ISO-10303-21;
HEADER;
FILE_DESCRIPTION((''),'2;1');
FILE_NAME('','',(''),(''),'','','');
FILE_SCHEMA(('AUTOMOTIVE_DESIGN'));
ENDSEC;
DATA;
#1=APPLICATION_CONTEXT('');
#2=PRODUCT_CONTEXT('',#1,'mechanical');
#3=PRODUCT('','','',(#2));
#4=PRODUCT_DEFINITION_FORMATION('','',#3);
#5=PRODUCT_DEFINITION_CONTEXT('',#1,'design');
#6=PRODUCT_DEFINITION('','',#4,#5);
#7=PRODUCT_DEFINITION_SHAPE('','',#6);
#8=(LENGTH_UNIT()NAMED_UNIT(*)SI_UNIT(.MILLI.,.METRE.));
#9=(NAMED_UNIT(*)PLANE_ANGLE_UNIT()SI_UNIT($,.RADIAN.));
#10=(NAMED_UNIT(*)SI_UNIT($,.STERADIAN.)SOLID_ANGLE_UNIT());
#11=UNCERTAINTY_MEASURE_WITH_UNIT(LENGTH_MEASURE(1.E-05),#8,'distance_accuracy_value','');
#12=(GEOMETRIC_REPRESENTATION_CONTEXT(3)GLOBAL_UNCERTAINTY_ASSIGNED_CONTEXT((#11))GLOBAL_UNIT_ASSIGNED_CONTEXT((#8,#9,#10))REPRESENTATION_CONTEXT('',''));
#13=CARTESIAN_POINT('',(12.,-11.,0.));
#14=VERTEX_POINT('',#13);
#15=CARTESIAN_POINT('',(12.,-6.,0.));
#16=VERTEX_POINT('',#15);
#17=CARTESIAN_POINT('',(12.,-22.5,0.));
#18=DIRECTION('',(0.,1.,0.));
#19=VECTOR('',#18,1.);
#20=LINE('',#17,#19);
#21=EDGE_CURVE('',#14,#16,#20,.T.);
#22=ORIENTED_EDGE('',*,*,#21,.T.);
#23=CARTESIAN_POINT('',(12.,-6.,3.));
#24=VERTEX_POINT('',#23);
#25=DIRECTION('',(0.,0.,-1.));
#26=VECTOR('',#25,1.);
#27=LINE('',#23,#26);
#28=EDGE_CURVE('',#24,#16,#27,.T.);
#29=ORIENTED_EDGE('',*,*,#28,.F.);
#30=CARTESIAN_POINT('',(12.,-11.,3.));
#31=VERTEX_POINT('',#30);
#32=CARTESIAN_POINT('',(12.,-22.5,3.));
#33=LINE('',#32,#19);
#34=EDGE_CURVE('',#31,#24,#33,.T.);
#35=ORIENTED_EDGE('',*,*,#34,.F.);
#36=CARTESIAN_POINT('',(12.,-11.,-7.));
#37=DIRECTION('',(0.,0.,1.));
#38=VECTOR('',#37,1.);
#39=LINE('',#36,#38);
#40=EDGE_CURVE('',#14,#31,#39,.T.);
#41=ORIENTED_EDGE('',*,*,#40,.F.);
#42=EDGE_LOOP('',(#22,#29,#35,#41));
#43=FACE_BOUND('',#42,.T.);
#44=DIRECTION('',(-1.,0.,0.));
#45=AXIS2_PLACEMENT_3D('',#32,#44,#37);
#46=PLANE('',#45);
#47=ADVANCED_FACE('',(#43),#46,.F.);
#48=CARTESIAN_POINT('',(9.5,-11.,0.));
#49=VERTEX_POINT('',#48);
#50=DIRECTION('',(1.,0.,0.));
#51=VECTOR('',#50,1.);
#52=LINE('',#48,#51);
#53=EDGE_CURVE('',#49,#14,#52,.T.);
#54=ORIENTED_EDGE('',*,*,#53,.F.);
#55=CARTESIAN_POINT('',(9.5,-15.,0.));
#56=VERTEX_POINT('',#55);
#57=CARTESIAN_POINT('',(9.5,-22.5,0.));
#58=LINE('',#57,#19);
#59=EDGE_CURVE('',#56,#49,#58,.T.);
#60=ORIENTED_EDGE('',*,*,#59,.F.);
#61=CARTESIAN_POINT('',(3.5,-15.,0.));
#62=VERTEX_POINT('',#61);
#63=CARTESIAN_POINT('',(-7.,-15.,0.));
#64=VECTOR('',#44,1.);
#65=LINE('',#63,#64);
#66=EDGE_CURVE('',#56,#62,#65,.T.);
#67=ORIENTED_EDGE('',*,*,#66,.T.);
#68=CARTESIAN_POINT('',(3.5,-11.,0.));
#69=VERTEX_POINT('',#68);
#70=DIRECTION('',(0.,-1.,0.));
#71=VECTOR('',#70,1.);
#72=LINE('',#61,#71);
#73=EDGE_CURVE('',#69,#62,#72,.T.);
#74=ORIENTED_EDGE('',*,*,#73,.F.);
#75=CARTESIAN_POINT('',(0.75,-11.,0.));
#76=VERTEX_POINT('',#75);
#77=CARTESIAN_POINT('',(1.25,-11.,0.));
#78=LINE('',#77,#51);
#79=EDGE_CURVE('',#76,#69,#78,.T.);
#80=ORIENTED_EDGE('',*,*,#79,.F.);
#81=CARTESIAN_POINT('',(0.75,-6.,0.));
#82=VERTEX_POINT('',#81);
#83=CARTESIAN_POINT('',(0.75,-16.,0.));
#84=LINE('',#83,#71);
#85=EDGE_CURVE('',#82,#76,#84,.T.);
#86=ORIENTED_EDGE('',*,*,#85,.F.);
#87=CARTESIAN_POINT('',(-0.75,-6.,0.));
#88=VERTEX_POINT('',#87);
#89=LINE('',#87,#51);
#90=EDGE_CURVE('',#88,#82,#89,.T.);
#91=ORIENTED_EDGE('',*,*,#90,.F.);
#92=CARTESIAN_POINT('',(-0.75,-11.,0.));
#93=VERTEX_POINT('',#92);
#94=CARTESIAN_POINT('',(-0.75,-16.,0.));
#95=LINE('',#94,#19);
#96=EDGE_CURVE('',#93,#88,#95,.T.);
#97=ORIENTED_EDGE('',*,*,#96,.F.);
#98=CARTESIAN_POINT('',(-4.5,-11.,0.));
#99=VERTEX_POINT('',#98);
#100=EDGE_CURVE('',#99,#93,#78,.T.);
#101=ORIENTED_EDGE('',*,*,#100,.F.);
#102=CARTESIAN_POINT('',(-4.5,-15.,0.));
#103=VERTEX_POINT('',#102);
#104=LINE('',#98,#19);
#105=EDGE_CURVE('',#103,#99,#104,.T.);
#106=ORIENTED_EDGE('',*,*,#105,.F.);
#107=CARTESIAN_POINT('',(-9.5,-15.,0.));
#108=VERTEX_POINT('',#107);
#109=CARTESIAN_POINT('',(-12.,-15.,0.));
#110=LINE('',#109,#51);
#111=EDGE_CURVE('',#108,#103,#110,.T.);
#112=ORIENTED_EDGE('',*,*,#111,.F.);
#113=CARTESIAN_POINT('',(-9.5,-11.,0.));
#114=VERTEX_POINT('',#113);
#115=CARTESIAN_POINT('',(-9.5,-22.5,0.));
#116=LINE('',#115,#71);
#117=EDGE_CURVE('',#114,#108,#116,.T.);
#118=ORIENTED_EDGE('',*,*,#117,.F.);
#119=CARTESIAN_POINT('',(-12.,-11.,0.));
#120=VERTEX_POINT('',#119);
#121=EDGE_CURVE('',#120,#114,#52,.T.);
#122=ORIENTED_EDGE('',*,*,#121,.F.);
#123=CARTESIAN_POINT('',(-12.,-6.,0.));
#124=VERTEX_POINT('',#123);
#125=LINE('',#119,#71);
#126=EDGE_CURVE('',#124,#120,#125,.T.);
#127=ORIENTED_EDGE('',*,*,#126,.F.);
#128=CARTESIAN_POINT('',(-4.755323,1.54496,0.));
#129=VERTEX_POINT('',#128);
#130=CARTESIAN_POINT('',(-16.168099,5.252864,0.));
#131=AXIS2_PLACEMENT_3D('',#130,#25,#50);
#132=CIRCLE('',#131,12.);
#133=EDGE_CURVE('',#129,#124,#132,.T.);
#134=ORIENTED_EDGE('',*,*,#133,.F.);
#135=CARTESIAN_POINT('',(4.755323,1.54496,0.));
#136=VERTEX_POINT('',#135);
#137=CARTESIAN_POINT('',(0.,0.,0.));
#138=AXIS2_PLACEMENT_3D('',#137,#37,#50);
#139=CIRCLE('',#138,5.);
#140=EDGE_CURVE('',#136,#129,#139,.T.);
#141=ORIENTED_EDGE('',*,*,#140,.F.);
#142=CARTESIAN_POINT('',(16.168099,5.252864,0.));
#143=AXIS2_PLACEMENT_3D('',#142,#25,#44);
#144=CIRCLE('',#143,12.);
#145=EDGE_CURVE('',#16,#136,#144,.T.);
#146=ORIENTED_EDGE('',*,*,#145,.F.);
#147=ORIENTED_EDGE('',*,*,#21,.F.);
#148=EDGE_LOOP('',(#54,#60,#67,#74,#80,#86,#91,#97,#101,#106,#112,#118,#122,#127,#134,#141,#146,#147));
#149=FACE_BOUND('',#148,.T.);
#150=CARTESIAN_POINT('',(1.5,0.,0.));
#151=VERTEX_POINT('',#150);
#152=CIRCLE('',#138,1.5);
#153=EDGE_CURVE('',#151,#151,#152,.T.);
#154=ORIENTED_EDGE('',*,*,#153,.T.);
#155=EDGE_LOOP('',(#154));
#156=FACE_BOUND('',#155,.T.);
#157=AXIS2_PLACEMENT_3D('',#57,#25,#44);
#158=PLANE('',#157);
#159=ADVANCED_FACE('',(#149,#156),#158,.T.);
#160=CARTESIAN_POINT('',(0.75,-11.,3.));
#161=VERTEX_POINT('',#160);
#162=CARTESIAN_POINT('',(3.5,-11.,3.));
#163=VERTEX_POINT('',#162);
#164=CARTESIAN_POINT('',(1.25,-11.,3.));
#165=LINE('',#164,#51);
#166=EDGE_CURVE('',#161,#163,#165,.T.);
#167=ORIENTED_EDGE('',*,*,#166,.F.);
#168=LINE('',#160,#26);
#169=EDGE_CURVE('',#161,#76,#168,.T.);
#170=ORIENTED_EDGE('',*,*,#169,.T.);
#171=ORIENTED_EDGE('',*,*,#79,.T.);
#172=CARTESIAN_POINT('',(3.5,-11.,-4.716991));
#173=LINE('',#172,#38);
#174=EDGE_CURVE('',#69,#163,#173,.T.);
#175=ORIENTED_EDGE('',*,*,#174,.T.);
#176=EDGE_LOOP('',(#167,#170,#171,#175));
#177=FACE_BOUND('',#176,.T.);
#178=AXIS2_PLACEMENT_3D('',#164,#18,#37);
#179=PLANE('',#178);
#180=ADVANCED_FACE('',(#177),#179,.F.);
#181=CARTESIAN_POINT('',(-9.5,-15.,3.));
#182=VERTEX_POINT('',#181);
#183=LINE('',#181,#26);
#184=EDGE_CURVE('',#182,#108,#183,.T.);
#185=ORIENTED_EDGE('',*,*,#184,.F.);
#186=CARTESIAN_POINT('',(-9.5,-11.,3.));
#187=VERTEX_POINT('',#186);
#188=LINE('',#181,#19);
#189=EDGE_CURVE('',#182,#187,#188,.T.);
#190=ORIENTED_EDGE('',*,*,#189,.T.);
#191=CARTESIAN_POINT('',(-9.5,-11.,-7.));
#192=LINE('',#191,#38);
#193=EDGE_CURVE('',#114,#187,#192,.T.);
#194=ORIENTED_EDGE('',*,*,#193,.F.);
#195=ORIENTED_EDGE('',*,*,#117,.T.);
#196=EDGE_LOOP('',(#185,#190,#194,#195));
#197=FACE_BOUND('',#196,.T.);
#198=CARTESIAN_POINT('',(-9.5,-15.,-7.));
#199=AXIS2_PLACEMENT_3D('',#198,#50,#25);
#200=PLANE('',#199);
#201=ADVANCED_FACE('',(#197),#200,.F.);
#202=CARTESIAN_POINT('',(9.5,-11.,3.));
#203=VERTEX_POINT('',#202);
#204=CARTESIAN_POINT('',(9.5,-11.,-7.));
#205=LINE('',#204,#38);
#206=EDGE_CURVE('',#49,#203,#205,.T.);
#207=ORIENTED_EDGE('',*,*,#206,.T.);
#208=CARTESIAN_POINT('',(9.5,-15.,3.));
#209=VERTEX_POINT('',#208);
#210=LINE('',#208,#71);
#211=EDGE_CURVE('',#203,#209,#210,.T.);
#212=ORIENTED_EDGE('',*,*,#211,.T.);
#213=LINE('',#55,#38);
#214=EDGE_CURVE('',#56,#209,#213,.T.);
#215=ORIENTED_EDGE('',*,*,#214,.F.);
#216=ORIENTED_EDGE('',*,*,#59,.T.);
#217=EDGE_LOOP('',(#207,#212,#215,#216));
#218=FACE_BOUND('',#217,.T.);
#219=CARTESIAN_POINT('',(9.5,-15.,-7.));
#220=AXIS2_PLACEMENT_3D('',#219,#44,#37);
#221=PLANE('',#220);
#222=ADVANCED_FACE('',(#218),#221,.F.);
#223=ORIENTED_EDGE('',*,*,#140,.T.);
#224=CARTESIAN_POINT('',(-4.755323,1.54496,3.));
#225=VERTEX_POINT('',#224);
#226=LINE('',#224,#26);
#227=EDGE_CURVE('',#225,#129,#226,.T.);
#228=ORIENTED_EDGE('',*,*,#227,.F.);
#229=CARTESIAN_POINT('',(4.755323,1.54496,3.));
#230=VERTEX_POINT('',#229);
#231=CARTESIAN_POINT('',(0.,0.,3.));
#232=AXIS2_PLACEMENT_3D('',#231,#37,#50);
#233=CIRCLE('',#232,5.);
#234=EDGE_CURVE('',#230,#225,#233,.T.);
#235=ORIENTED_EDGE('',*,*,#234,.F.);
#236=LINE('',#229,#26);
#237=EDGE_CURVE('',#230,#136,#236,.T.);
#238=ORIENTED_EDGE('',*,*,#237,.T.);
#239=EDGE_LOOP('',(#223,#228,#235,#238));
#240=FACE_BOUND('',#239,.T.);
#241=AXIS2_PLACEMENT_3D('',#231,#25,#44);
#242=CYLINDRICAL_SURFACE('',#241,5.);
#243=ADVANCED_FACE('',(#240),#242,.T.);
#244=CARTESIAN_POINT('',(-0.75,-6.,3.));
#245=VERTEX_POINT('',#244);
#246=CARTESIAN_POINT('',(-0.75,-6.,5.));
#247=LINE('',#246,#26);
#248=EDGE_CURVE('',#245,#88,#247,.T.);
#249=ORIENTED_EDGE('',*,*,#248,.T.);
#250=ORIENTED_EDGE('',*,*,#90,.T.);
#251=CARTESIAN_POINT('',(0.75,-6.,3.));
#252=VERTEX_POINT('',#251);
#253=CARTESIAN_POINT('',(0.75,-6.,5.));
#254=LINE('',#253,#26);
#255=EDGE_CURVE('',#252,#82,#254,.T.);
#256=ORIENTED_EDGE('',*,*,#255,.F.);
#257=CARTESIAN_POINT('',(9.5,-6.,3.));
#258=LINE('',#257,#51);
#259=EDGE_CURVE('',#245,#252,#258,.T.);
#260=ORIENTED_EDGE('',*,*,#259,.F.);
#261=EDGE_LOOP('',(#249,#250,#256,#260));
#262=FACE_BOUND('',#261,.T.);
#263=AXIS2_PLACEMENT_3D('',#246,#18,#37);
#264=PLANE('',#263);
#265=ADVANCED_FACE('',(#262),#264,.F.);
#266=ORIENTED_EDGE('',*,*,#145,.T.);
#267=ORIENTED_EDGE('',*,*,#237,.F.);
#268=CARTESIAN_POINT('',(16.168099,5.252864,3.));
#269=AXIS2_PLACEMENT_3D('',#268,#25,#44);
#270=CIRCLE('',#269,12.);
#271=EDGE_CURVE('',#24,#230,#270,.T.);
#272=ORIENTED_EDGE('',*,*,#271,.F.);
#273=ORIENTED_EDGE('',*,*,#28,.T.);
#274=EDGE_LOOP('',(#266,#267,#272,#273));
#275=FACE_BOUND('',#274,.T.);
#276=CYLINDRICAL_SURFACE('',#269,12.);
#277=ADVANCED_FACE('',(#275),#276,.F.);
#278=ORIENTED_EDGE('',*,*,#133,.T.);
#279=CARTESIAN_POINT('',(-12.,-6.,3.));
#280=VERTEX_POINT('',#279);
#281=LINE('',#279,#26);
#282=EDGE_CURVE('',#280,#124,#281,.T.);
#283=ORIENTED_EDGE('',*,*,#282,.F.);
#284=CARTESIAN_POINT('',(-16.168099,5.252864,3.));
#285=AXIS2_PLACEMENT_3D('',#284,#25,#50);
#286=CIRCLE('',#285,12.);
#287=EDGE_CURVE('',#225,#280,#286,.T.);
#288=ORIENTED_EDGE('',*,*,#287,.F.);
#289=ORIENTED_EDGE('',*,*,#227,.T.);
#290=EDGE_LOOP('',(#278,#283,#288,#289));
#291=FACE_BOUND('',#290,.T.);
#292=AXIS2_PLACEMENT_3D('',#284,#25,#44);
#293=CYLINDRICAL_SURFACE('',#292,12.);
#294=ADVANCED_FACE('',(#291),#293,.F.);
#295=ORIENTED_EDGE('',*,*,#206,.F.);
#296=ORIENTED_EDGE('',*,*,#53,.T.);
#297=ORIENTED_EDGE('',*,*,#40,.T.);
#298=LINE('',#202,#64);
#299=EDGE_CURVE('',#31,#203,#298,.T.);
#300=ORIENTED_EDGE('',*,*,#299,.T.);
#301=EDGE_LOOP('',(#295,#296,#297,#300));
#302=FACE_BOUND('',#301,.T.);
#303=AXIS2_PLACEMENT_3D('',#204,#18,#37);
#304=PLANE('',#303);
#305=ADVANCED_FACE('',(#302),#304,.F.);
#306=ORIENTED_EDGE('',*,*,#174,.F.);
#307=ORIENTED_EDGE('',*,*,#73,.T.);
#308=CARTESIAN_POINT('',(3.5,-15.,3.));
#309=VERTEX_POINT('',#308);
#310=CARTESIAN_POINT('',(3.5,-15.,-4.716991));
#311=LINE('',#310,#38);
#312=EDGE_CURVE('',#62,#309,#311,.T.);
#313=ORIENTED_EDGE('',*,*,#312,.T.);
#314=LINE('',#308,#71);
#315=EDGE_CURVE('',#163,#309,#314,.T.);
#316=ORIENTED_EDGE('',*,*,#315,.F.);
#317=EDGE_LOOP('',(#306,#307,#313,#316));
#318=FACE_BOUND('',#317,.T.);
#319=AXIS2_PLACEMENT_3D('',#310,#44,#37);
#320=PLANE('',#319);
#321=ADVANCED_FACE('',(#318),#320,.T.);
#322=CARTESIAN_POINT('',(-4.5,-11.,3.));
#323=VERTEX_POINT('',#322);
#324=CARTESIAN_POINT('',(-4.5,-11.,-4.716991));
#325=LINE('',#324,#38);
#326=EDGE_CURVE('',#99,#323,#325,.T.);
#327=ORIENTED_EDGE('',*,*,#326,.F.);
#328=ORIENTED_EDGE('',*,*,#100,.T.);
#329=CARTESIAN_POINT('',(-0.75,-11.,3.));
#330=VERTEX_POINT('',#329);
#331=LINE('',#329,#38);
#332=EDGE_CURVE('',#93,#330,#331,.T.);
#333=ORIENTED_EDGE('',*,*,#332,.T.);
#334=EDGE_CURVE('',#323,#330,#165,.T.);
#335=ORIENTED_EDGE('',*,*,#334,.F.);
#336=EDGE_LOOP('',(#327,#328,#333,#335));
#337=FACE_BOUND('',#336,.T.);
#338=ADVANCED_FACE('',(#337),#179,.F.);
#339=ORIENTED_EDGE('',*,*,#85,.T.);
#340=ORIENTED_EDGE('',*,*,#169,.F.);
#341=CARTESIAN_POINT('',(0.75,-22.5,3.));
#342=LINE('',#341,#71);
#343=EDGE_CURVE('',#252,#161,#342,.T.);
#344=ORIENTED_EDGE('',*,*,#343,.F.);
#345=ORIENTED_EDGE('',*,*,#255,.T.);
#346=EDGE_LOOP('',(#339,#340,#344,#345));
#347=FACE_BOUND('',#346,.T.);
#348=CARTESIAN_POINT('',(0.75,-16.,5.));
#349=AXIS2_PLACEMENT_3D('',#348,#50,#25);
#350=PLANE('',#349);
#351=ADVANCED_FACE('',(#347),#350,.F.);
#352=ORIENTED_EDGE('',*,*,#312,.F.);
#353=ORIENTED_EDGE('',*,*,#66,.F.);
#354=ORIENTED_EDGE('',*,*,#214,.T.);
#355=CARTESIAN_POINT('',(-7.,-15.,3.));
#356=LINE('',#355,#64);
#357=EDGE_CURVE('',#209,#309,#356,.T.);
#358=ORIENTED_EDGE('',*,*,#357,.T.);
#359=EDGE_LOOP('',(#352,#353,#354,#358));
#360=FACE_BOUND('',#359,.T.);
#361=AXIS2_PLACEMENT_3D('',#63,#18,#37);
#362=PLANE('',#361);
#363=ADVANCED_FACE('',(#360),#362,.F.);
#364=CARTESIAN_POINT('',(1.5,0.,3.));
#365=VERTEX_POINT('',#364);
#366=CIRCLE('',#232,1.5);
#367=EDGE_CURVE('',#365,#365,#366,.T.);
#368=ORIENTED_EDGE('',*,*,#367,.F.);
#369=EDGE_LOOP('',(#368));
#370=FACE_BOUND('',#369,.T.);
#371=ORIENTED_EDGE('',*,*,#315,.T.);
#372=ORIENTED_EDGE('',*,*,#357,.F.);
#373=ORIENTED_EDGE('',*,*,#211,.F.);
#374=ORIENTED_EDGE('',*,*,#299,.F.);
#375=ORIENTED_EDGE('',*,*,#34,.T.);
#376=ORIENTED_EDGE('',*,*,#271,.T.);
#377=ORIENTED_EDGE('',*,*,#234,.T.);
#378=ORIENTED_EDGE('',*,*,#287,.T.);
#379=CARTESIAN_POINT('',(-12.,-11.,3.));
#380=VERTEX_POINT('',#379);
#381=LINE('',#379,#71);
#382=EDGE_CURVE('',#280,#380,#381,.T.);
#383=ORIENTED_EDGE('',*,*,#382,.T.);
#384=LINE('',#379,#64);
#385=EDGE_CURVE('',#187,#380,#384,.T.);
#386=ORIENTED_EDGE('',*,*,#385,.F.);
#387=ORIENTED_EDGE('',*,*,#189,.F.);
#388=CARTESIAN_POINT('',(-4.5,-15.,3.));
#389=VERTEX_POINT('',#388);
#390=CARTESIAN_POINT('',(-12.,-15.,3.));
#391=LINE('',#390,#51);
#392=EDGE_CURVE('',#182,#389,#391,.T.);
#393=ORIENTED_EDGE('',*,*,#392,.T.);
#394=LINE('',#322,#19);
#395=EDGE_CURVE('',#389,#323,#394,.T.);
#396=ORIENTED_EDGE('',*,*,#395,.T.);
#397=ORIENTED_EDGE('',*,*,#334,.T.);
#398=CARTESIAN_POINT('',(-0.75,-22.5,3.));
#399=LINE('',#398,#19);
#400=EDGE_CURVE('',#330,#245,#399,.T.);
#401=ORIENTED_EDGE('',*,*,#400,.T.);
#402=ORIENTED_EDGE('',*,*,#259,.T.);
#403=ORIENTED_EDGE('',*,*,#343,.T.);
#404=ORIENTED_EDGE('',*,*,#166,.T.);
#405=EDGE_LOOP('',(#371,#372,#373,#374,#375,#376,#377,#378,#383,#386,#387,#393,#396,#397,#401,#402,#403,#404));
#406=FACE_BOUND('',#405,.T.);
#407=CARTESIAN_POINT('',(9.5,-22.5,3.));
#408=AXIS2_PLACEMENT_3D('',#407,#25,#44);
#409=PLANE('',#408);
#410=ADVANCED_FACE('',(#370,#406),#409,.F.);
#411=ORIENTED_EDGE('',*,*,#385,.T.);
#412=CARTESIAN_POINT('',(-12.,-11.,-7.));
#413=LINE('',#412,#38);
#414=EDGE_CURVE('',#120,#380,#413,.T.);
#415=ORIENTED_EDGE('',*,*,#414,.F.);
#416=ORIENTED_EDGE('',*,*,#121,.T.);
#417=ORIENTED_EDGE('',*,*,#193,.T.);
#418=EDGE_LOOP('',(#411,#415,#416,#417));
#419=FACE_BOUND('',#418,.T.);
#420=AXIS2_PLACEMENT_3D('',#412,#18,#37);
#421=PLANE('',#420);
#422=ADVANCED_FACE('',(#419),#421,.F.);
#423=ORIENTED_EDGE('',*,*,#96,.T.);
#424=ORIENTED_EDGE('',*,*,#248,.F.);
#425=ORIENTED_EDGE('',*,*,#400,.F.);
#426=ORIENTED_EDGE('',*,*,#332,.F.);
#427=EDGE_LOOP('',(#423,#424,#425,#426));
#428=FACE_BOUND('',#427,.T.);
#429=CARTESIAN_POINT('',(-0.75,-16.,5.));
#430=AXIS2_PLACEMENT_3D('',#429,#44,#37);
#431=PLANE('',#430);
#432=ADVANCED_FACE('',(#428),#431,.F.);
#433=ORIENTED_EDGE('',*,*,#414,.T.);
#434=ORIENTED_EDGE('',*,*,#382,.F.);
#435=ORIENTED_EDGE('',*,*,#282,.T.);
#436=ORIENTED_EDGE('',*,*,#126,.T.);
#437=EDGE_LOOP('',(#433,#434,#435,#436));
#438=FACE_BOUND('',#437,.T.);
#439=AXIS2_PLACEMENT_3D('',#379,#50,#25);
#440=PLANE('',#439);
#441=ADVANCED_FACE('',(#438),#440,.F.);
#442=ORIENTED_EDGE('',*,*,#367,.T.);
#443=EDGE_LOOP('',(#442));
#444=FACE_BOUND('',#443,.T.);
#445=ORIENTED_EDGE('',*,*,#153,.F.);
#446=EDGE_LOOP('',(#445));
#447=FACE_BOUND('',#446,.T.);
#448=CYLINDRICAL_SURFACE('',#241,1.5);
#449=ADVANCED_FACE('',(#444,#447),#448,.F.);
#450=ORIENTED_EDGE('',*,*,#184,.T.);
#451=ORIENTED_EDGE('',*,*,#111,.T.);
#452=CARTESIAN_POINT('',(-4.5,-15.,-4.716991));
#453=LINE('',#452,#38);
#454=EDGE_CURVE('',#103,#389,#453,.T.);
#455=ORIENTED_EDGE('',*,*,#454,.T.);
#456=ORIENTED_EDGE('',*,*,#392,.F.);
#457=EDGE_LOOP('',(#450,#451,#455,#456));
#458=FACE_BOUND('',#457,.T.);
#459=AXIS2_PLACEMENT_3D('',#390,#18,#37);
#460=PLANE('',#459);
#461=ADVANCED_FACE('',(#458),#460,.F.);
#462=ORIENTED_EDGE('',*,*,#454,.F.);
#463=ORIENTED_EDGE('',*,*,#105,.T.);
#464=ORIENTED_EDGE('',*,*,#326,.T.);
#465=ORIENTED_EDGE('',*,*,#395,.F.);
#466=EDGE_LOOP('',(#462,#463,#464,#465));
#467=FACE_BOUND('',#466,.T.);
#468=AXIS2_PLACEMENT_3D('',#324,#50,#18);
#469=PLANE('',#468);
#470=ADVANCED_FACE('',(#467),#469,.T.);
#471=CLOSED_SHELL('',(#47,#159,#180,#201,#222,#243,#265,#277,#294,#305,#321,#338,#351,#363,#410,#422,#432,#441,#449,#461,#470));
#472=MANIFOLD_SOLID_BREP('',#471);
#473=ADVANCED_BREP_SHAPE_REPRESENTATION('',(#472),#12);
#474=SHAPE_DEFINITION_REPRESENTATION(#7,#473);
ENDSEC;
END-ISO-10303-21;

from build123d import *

# Parameters (mm, degrees)
SKETCH1_R           = 1.5
SKETCH1_R_2         = 1
BOSS_EXTRUDE1_DEPTH = 3
SKETCH2_W           = 21.215315346
SKETCH2_H           = 10.620784377
CUT_EXTRUDE1_DEPTH  = 4
SKETCH3_W           = 2.5
SKETCH3_H           = 4
CUT_EXTRUDE2_DEPTH  = 10
SKETCH4_W           = 2.5
SKETCH4_H           = 4
BOSS_EXTRUDE2_DEPTH = 3
SKETCH5_W           = 2.5
SKETCH5_H           = 5.5
BOSS_EXTRUDE3_DEPTH = 3
SKETCH6_W           = 1.5
SKETCH6_H           = 10
CUT_EXTRUDE3_DEPTH  = 5


with BuildPart() as part:
    # Sketch1 → Boss-Extrude1 (new body)
    with BuildSketch(Plane.XY):
        with BuildLine():
            Line((-1.25, -11), (-7, -11))
            Line((-7, -11), (-7, -15))
            Line((-7, -15), (-12, -15))
            Line((-12, -15), (-12, -11))
            Line((-12, -11), (-12, -6))
            ThreePointArc((-12, -6), (-7.512319363, -3.05842228), (-4.755323166, 1.544960058))
            ThreePointArc((-4.755323166, 1.544960058), (0, 5), (4.755323166, 1.544960058))
            ThreePointArc((4.755323166, 1.544960058), (7.512319363, -3.05842228), (12, -6))
            Line((12, -6), (12, -22.5))
            ThreePointArc((12, -22.5), (11.267766953, -24.267766953), (9.5, -25))
            Line((9.5, -25), (8.5, -25))
            ThreePointArc((8.5, -25), (6.732233047, -24.267766953), (6, -22.5))
            Line((6, -22.5), (6, -11))
            Line((6, -11), (1.25, -11))
            Line((1.25, -11), (1.25, -5.5))
            Line((1.25, -5.5), (-1.25, -5.5))
            Line((-1.25, -5.5), (-1.25, -11))
        make_face()
        Circle(SKETCH1_R, mode=Mode.SUBTRACT)
        with Locations((9, -22)):
            Circle(SKETCH1_R_2, mode=Mode.SUBTRACT)
    extrude(amount=BOSS_EXTRUDE1_DEPTH)

    # Sketch2 → Cut-Extrude1 (cut, through all)
    with BuildSketch(Plane.XY.offset(3)):
        with Locations((3.607657673, -20.310392189)):
            Rectangle(SKETCH2_W, SKETCH2_H)
    extrude(amount=-CUT_EXTRUDE1_DEPTH, mode=Mode.SUBTRACT)

    # Sketch3 → Cut-Extrude2 (cut)
    with BuildSketch(Plane.XY.offset(3)):
        with Locations((10.75, -13)):
            Rectangle(SKETCH3_W, SKETCH3_H)
        with Locations((-10.75, -13)):
            Rectangle(SKETCH3_W, SKETCH3_H)
    extrude(amount=-CUT_EXTRUDE2_DEPTH, mode=Mode.SUBTRACT)

    # Sketch4 → Boss-Extrude2 (add)
    with BuildSketch(Plane.XY.offset(3)):
        with Locations((-5.75, -13)):
            Rectangle(SKETCH4_W, SKETCH4_H)
        with Locations((4.75, -13)):
            Rectangle(SKETCH4_W, SKETCH4_H)
    extrude(amount=-BOSS_EXTRUDE2_DEPTH)

    # Sketch5 → Boss-Extrude3 (add)
    with BuildSketch(Plane(origin=(0, 0, 0), x_dir=(-1, 0, 0), z_dir=(0, 0, -1))):
        with Locations((0, -8.25)):
            Rectangle(SKETCH5_W, SKETCH5_H)
    extrude(amount=-BOSS_EXTRUDE3_DEPTH)

    # Sketch6 → Cut-Extrude3 (cut)
    with BuildSketch(Plane(origin=(0, 0, 0), x_dir=(-1, 0, 0), z_dir=(0, 0, -1))):
        with Locations((0, -11)):
            Rectangle(SKETCH6_W, SKETCH6_H)
    extrude(amount=-CUT_EXTRUDE3_DEPTH, mode=Mode.SUBTRACT)


solid = part.part
